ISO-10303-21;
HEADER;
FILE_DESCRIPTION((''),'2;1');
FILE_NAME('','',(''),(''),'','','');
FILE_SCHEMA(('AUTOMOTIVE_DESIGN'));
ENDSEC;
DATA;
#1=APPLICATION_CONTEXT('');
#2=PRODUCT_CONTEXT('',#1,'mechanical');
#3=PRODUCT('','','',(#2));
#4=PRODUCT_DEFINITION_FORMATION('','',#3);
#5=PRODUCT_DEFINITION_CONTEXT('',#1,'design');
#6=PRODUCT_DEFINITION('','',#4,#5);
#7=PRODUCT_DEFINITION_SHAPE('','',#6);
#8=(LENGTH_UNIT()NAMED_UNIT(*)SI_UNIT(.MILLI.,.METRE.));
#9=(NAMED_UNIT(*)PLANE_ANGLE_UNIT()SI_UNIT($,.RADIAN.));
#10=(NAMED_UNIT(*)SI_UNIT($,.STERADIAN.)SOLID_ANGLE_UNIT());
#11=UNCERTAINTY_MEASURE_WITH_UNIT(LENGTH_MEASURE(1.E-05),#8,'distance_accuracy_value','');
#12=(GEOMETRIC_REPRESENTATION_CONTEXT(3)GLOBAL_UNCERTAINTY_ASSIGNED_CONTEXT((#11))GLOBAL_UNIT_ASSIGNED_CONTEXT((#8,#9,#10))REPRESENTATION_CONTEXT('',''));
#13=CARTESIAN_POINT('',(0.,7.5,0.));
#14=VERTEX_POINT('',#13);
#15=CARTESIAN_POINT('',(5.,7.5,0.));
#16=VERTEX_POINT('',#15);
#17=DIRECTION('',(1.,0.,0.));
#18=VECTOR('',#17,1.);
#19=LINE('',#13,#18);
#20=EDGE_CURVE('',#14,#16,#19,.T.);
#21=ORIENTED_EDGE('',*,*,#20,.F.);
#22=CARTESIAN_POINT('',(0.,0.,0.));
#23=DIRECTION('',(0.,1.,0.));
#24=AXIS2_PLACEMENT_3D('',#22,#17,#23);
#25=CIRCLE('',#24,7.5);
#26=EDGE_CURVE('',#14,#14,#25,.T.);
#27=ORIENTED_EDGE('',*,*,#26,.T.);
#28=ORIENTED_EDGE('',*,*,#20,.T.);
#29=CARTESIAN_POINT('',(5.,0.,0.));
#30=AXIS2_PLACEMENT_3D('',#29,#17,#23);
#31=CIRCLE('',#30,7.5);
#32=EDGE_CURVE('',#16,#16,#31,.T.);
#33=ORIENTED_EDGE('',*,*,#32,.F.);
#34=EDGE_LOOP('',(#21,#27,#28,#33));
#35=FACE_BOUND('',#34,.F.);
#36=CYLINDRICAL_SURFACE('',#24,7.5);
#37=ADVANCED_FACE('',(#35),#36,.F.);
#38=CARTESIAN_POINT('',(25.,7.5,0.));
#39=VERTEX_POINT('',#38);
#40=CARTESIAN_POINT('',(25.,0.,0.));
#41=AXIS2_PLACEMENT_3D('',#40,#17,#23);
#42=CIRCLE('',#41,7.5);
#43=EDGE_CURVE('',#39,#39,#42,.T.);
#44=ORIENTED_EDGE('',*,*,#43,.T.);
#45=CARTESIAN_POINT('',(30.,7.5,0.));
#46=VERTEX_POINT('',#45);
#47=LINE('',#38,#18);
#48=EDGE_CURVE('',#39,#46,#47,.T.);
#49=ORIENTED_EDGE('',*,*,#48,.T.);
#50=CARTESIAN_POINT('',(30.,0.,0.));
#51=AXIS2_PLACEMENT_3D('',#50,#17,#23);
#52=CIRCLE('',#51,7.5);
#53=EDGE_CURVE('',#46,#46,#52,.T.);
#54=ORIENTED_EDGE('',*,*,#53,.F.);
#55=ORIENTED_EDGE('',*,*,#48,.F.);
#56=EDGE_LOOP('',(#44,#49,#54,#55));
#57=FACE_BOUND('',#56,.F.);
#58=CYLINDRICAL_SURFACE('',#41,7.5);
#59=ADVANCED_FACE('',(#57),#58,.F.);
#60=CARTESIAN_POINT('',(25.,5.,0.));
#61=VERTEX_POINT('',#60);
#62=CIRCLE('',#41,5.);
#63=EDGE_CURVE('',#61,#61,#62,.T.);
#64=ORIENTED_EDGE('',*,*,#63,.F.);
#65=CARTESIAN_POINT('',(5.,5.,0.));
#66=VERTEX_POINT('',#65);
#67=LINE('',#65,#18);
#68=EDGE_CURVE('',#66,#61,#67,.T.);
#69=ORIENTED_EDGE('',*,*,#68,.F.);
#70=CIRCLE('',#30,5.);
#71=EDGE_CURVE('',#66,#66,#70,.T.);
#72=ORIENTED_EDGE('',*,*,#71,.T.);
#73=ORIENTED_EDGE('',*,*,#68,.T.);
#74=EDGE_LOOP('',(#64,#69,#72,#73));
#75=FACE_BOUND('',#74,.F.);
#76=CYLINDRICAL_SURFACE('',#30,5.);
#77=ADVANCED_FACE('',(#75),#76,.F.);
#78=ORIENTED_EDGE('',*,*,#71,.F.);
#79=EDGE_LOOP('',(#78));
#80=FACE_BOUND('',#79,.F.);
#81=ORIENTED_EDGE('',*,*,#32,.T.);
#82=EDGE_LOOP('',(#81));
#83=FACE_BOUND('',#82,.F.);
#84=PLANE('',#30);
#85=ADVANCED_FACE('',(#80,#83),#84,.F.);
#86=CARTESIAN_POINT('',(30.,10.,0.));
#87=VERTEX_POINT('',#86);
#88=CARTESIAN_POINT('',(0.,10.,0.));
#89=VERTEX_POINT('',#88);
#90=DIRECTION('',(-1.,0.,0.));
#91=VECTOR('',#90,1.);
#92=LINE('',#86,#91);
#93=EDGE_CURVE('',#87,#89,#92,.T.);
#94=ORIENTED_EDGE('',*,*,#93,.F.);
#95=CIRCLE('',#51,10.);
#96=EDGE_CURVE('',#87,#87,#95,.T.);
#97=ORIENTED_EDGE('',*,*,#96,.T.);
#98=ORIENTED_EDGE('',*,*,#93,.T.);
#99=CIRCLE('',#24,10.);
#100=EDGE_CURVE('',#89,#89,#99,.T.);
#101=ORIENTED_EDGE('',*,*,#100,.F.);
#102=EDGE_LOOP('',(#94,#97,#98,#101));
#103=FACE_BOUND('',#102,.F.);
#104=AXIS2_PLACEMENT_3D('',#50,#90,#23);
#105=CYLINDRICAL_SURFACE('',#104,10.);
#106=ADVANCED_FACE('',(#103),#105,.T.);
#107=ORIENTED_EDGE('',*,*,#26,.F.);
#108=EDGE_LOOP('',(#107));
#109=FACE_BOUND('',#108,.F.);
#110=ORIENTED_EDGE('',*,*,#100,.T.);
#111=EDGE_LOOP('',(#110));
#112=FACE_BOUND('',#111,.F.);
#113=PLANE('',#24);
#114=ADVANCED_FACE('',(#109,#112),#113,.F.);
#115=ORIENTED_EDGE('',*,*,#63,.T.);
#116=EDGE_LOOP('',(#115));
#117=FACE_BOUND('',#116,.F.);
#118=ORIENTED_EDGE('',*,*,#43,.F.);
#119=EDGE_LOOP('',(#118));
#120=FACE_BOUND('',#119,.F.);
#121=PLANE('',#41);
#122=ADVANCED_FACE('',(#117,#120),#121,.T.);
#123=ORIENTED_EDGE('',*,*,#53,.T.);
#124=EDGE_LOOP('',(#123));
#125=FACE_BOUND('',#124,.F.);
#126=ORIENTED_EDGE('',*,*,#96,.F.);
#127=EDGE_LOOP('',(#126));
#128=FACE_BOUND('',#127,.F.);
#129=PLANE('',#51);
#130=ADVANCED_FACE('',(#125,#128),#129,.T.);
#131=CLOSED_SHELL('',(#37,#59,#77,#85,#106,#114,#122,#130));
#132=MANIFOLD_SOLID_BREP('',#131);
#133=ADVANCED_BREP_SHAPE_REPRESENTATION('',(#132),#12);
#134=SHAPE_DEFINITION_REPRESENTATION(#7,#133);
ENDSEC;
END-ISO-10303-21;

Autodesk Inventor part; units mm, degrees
sketch "Sketch_1" plane through (0, 0, 0) normal (0, 0, 1) x (1, 0, 0)
  line L0 (30, 0) -> (0, 0)
  line L1 (0, 7.5) -> (5, 7.5)
  line L2 (5, 7.5) -> (5, 5)
  line L3 (5, 5) -> (25, 5)
  line L4 (25, 5) -> (25, 7.5)
  line L5 (25, 7.5) -> (30, 7.5)
  line L6 (30, 7.5) -> (30, 10)
  line L7 (30, 10) -> (0, 10)
  line L8 (0, 10) -> (0, 7.5)
revolve "Revolution1" add sketch "Sketch_1" angle 360 about axis through (30, 0, 0) along (1, 0, 0)
ref_plane "body_to_B_L__XY" through (0, 0, 0) normal (1, 0, 0) x (0, 0, -1)
ref_plane "body_to_B_L__YZ" through (0, 0, 0) normal (0, 0, -1) x (0, 1, 0)
ref_plane "body_to_B_L__ZX" through (0, 0, 0) normal (0, 1, 0) x (1, 0, 0)
ref_plane "body_to_B_R__XY" through (25, 0, 0) normal (-1, 0, 0) x (0, 0, -1)
ref_plane "body_to_B_R__YZ" through (25, 0, 0) normal (0, 0, -1) x (0, -1, 0)
ref_plane "body_to_B_R__ZX" through (25, 0, 0) normal (0, -1, 0) x (-1, 0, 0)
properties part number "RORPOS20-L30_1"
